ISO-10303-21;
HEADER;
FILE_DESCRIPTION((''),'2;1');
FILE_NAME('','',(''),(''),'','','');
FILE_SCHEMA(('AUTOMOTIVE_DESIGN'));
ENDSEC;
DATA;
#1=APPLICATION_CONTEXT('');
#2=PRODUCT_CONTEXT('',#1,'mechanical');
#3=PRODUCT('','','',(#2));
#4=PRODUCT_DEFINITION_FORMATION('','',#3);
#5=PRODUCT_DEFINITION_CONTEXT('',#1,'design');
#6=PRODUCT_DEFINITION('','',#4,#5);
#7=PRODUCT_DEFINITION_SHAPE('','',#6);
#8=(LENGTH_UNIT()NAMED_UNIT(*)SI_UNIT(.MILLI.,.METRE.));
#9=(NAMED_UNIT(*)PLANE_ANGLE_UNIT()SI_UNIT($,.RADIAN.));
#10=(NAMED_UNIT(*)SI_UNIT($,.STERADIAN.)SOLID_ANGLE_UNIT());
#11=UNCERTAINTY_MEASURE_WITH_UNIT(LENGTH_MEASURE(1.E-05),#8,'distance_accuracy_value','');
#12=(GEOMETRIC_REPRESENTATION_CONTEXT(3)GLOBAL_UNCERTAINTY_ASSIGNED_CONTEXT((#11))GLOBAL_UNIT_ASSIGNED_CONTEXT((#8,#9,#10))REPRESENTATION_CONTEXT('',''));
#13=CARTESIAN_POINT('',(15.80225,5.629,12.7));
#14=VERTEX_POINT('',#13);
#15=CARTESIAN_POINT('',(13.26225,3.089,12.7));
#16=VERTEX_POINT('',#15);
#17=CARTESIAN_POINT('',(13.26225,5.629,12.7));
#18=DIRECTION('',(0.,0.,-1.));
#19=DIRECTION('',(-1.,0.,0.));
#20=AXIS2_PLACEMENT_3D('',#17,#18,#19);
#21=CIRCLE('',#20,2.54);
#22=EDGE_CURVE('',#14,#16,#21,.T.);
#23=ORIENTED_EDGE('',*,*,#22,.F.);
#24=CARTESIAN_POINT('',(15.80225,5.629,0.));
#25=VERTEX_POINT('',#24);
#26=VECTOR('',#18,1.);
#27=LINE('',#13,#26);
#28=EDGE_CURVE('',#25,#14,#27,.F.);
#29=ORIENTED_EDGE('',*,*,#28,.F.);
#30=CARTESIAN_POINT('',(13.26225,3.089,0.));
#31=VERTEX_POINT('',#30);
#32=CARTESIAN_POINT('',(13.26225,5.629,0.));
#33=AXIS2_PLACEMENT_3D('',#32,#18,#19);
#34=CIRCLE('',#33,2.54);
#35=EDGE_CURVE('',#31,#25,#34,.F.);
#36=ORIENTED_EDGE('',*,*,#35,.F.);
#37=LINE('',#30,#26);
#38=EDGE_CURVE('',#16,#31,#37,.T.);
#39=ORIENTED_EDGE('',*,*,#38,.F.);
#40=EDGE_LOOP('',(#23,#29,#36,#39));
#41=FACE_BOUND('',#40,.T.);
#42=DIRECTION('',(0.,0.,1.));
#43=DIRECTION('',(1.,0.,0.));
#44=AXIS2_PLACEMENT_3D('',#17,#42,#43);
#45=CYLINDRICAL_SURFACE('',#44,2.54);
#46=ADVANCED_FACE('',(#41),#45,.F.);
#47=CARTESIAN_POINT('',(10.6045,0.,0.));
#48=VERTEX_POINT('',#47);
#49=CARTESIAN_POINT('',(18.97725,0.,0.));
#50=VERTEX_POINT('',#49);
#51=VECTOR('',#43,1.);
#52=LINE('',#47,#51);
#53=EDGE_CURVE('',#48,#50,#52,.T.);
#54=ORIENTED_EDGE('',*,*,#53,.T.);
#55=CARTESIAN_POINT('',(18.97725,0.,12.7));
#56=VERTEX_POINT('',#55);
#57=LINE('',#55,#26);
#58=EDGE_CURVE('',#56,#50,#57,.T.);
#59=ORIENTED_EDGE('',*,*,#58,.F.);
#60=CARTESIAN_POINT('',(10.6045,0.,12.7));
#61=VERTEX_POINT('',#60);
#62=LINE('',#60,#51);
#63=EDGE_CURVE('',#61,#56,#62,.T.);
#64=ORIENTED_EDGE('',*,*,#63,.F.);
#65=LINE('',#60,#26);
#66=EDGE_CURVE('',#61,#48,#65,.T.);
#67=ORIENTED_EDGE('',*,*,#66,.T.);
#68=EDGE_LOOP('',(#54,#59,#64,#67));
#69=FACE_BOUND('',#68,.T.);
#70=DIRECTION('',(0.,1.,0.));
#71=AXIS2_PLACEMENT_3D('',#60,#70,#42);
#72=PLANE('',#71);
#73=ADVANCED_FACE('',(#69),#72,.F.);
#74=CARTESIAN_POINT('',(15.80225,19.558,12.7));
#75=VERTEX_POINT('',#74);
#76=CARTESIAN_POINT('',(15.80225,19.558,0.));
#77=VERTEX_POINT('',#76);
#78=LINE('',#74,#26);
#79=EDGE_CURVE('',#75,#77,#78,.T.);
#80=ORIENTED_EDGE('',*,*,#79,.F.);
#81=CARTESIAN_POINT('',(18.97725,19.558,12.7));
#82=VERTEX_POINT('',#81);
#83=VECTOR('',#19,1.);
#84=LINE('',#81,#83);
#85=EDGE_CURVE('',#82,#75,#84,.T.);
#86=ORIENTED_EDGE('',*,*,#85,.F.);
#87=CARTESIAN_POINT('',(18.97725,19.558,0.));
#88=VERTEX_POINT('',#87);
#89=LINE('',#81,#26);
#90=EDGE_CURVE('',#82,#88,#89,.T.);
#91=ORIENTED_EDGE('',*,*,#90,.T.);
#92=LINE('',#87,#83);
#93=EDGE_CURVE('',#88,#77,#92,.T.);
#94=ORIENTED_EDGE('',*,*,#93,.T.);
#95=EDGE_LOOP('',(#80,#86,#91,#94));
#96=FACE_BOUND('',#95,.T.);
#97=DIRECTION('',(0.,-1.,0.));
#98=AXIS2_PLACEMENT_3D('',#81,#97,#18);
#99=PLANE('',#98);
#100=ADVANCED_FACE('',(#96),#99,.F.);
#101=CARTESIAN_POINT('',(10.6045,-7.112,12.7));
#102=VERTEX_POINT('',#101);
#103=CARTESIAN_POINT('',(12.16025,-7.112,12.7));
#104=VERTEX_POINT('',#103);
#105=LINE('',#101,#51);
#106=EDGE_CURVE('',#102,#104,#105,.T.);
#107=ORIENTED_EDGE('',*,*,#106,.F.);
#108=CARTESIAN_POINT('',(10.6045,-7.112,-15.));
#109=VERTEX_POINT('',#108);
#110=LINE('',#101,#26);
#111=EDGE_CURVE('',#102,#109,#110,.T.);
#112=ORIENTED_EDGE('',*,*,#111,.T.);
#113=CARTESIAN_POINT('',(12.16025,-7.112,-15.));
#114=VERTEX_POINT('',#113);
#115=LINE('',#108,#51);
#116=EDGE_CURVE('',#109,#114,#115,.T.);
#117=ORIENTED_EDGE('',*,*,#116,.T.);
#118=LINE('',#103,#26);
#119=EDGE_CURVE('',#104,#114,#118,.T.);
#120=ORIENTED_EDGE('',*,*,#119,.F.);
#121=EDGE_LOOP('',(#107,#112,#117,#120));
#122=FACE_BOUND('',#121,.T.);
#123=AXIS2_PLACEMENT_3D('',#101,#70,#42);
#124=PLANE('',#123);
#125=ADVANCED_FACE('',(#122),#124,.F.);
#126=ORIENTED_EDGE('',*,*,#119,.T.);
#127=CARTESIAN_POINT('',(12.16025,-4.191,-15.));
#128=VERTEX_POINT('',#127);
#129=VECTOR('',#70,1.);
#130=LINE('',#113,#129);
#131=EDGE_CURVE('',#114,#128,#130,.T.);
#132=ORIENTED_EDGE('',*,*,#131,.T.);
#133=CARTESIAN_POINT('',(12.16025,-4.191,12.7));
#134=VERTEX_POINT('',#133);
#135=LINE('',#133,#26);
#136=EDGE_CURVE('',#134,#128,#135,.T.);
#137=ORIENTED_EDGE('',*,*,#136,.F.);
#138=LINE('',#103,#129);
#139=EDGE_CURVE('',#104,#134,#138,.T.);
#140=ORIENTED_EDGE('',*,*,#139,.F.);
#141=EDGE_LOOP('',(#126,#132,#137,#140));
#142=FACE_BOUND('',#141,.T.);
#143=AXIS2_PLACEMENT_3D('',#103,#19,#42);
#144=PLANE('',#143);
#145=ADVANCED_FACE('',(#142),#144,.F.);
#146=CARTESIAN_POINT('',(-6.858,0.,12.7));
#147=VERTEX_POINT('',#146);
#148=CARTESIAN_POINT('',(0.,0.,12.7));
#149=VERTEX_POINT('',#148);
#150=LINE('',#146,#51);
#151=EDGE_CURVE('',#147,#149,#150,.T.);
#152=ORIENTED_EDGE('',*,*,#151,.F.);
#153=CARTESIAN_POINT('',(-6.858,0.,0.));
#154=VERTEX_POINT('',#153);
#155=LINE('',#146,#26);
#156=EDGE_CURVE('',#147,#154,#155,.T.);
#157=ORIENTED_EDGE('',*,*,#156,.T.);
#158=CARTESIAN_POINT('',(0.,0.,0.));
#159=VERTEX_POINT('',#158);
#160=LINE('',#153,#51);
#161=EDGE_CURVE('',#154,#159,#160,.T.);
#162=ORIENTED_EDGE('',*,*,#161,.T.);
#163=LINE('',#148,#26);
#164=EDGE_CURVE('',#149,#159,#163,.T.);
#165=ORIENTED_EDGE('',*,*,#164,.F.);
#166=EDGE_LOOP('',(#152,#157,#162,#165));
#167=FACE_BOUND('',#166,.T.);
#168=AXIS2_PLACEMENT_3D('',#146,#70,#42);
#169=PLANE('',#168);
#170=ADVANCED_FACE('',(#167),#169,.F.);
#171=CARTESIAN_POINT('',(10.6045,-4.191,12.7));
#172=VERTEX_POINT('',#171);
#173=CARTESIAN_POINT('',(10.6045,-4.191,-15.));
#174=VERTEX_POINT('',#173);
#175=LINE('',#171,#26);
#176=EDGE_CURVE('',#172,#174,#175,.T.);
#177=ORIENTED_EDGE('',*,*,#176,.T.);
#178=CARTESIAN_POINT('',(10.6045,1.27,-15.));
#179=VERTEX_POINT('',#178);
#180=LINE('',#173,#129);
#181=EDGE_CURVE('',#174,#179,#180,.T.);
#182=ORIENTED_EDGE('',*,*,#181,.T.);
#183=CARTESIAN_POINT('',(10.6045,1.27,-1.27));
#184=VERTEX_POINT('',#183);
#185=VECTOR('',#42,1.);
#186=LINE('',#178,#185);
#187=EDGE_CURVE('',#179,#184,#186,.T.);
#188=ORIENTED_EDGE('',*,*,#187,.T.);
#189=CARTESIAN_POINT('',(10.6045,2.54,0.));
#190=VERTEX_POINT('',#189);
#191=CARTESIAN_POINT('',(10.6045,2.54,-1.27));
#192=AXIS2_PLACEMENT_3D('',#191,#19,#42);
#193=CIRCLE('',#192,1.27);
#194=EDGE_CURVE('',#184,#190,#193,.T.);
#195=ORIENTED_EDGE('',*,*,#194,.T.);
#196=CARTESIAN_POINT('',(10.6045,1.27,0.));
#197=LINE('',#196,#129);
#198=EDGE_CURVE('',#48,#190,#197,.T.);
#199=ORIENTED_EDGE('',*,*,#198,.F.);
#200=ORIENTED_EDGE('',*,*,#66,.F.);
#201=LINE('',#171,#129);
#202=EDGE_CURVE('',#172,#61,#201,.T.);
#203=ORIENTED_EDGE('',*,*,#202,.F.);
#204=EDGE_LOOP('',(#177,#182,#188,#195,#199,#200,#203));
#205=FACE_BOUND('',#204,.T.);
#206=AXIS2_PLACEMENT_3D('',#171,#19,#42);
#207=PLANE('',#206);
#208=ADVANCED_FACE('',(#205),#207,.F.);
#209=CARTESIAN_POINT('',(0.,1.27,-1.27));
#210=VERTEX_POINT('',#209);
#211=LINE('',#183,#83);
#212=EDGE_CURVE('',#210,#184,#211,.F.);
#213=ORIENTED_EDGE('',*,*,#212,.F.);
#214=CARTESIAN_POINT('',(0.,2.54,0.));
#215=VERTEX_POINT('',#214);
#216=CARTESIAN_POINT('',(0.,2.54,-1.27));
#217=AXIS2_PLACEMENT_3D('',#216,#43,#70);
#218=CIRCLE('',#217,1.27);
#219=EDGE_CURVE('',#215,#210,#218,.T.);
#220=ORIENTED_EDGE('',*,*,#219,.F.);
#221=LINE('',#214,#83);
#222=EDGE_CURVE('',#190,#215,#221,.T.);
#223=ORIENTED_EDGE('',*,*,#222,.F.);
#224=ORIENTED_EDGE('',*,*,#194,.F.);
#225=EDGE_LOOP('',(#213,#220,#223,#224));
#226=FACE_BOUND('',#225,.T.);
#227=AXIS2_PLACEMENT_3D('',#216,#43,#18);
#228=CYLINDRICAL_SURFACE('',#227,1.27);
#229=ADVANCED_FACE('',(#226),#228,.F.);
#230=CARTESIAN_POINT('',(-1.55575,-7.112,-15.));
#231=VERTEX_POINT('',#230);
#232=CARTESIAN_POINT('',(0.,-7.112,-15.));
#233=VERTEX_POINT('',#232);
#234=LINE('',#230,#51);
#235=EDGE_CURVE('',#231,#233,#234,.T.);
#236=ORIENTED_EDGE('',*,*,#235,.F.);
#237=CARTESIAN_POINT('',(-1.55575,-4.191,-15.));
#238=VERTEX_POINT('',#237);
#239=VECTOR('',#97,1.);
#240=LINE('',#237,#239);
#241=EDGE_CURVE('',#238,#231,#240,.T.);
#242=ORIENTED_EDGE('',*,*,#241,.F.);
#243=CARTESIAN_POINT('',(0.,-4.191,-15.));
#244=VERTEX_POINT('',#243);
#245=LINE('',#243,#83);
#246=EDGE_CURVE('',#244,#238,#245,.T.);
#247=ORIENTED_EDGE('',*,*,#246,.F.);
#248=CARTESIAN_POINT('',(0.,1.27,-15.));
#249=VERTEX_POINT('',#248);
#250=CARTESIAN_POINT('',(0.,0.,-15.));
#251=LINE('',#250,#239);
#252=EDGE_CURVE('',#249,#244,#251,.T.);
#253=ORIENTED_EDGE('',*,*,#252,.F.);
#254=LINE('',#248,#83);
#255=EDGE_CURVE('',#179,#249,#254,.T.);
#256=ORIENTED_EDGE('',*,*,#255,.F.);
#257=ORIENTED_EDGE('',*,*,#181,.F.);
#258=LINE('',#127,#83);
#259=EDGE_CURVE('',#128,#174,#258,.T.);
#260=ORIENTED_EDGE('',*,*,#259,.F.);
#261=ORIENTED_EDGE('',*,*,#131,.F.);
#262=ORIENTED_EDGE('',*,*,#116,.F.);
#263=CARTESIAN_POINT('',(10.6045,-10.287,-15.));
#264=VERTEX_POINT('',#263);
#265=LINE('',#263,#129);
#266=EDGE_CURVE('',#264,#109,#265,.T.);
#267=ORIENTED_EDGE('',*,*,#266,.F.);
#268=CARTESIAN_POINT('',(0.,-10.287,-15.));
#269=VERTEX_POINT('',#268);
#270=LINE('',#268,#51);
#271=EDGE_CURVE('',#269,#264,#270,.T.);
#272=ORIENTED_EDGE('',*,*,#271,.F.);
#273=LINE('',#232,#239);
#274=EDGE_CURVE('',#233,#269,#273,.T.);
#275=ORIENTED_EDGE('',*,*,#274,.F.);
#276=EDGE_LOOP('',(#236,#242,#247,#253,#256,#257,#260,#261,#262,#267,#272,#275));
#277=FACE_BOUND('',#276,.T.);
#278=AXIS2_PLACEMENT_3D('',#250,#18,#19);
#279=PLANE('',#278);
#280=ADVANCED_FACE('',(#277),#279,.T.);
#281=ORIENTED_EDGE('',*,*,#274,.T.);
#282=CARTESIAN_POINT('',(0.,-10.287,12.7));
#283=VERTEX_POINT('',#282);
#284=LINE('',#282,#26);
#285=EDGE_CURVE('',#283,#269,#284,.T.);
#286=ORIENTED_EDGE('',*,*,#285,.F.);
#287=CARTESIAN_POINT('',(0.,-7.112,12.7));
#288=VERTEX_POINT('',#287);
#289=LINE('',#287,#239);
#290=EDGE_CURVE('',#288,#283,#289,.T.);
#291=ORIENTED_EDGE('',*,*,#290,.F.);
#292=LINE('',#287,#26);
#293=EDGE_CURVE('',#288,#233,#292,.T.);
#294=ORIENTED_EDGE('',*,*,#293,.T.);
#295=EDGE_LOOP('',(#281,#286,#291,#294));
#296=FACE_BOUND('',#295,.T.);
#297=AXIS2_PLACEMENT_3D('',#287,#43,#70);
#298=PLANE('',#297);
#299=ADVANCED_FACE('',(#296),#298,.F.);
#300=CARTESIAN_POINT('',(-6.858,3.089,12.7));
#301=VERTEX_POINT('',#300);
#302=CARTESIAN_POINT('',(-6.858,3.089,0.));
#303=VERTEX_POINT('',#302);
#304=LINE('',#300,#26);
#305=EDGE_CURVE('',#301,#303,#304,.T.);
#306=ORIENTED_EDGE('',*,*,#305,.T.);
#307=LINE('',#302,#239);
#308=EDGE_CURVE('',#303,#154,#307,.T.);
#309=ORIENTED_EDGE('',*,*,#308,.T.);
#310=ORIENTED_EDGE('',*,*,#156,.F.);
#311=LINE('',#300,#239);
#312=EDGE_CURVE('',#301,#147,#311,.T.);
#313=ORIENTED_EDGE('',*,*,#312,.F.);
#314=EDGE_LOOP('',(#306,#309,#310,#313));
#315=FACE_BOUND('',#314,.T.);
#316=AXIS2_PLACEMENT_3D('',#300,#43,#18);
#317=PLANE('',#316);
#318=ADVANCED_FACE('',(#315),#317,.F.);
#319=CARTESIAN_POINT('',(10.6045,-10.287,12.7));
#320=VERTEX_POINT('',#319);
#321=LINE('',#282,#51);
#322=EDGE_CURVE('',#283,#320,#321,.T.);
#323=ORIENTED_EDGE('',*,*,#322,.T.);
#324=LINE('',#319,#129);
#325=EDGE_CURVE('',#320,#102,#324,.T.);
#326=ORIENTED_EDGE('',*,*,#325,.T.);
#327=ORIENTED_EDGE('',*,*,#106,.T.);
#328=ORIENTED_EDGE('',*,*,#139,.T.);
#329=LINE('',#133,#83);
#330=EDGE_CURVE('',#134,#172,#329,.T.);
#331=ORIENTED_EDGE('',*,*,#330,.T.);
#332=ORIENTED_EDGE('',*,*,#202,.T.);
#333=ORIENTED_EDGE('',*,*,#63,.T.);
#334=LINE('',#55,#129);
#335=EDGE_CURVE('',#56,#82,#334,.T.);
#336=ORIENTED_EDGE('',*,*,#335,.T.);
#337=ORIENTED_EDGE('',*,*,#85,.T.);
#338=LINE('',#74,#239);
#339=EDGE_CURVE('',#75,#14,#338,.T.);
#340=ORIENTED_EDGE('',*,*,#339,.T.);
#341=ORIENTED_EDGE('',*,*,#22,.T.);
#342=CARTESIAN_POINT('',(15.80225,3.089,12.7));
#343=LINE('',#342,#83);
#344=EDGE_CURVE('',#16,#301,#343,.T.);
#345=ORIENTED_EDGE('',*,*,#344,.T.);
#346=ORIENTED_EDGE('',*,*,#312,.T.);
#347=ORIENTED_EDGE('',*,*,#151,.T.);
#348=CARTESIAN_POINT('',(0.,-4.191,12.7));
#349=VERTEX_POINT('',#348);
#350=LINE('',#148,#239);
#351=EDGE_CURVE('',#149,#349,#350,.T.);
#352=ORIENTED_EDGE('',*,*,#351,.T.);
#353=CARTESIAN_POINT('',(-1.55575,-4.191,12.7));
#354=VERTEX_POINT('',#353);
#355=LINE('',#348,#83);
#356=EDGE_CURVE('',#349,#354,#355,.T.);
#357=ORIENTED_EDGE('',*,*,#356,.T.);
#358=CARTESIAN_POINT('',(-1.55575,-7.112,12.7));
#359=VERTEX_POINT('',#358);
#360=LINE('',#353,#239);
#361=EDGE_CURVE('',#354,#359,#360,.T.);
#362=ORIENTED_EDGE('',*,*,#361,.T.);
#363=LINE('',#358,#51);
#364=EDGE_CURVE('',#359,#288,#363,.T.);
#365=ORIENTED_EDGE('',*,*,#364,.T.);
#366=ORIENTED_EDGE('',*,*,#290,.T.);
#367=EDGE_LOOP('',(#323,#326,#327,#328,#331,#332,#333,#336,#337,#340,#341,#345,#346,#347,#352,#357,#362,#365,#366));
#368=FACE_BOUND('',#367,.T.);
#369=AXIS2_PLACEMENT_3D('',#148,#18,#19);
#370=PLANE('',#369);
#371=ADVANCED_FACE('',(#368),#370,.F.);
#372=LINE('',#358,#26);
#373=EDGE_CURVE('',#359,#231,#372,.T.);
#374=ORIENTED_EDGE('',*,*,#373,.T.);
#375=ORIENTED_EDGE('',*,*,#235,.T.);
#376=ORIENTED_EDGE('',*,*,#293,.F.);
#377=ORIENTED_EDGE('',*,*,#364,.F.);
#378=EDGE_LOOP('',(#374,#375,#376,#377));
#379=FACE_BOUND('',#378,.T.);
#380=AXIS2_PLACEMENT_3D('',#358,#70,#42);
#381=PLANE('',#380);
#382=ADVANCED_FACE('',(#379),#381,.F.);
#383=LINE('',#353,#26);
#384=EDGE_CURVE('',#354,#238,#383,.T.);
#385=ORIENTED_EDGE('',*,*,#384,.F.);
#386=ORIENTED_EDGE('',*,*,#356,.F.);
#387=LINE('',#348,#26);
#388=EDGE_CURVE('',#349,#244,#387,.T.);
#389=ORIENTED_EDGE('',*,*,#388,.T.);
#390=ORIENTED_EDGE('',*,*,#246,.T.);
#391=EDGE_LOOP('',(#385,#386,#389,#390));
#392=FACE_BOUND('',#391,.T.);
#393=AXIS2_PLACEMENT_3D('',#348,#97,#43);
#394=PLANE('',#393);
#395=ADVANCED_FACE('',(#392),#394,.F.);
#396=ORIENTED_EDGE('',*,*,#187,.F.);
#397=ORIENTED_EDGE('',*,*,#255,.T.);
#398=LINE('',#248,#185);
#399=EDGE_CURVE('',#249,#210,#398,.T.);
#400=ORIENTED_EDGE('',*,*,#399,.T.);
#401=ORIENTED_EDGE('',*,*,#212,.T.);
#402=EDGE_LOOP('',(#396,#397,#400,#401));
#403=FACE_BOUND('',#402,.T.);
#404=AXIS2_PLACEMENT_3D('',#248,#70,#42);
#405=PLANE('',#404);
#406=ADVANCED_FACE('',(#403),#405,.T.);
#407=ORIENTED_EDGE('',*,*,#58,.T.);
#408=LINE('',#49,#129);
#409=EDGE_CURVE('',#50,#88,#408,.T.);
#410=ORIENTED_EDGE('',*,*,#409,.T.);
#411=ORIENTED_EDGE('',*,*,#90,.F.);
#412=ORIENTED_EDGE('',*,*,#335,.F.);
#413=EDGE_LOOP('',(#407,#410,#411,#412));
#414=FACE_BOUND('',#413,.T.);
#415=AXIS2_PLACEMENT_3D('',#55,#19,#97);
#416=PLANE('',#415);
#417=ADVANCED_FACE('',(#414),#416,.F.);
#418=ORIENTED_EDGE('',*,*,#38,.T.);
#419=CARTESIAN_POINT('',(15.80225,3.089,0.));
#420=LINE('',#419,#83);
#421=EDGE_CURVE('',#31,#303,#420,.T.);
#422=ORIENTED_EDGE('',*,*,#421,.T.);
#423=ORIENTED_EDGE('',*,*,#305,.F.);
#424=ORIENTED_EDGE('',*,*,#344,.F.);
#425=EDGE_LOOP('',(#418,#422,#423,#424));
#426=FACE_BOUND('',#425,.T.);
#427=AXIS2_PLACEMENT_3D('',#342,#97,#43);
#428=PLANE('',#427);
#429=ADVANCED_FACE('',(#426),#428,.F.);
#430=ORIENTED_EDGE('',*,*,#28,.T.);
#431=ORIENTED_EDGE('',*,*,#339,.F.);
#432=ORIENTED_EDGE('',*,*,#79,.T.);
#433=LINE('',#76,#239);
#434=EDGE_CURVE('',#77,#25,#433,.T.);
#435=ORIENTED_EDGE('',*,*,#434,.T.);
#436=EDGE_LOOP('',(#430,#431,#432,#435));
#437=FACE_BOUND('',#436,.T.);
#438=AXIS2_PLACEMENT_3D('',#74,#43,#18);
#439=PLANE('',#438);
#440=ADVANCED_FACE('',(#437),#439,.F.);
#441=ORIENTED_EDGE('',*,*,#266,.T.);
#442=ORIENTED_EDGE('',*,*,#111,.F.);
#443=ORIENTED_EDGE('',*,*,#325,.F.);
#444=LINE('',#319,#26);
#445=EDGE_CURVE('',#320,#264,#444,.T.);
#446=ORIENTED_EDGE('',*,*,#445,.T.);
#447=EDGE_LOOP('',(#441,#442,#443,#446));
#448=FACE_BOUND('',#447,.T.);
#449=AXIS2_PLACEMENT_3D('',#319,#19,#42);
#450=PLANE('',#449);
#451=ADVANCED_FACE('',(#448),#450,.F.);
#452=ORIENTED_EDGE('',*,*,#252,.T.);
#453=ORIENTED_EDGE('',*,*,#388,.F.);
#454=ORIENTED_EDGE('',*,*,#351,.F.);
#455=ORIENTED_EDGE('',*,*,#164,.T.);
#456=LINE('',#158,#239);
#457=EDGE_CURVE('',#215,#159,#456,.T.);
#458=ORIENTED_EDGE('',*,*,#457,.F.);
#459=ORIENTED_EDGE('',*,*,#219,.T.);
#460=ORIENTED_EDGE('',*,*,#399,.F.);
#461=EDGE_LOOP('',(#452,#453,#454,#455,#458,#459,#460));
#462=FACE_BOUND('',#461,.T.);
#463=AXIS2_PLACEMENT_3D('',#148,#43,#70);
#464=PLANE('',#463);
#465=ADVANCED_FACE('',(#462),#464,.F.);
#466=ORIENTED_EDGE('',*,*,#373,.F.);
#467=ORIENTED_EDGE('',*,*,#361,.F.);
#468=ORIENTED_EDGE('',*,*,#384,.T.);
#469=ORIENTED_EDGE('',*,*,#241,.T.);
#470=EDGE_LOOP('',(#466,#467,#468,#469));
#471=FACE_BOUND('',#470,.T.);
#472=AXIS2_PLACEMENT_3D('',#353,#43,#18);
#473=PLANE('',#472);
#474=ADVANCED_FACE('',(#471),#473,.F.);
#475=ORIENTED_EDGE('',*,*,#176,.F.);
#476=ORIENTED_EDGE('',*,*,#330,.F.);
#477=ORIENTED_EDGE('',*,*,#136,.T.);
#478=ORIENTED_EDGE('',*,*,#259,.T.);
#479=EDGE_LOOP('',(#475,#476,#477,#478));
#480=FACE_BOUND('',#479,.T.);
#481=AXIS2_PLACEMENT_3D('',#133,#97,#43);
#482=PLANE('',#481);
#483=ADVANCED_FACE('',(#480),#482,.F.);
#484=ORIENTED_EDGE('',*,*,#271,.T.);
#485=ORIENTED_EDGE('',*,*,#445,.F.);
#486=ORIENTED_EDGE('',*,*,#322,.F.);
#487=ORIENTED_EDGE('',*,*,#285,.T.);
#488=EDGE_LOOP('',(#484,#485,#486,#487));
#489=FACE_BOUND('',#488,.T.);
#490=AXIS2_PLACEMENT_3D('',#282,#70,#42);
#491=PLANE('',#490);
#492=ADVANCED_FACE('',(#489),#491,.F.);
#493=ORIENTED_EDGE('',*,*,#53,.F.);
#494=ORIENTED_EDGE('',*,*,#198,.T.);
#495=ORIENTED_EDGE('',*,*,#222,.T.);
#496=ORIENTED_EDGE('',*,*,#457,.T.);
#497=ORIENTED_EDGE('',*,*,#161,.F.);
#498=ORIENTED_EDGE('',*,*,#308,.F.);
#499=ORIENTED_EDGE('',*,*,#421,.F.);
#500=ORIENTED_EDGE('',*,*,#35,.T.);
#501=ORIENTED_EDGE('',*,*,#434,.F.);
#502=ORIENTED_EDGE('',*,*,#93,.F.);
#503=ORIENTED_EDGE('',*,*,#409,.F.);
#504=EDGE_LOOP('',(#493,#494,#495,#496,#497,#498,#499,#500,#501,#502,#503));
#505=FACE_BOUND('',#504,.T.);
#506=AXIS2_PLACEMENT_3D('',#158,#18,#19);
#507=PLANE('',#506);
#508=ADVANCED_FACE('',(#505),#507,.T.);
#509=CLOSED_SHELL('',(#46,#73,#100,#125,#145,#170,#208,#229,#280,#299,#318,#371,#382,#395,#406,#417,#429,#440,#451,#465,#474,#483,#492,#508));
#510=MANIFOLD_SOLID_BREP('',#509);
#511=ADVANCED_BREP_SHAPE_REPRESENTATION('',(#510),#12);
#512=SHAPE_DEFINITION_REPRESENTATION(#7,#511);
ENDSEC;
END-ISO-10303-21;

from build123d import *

# Parameters (mm, degrees)
BOSS_EXTRUDE1_DEPTH = 12.7
FILLET1_R           = 2.54
BOSS_EXTRUDE2_DEPTH = 15
FILLET2_R           = 1.27


with BuildPart() as part:
    # Sketch1 → Boss-Extrude1 (new body)
    with BuildSketch(Plane.XY):
        Polygon((0, 0), (0, -4.191), (-1.55575, -4.191), (-1.55575, -7.112), (0, -7.112), (0, -10.287), (10.6045, -10.287), (10.6045, -7.112), (12.16025, -7.112), (12.16025, -4.191), (10.6045, -4.191), (10.6045, 0), (18.97725, 0), (18.97725, 19.558), (15.80225, 19.558), (15.80225, 3.089), (-6.858, 3.089), (-6.858, 0), align=None)
    extrude(amount=BOSS_EXTRUDE1_DEPTH)

    # Fillet1
    fillet1_edges = [part.edges().sort_by_distance(p)[0] for p in [
        (15.80225, 3.089, 6.35),
    ]]
    fillet(fillet1_edges, radius=FILLET1_R)

    # Sketch2 → Boss-Extrude2 (add)
    with BuildSketch(Plane.XY):
        Polygon((0, 0), (0, 1.27), (10.6045, 1.27), (10.6045, 0), (10.6045, -4.191), (12.16025, -4.191), (12.16025, -7.112), (10.6045, -7.112), (10.6045, -10.287), (0, -10.287), (0, -7.112), (-1.55575, -7.112), (-1.55575, -4.191), (0, -4.191), align=None)
    extrude(amount=-BOSS_EXTRUDE2_DEPTH)

    # Fillet2
    fillet2_edges = [part.edges().sort_by_distance(p)[0] for p in [
        (5.30225, 1.27, 0),
    ]]
    fillet(fillet2_edges, radius=FILLET2_R)


solid = part.part
